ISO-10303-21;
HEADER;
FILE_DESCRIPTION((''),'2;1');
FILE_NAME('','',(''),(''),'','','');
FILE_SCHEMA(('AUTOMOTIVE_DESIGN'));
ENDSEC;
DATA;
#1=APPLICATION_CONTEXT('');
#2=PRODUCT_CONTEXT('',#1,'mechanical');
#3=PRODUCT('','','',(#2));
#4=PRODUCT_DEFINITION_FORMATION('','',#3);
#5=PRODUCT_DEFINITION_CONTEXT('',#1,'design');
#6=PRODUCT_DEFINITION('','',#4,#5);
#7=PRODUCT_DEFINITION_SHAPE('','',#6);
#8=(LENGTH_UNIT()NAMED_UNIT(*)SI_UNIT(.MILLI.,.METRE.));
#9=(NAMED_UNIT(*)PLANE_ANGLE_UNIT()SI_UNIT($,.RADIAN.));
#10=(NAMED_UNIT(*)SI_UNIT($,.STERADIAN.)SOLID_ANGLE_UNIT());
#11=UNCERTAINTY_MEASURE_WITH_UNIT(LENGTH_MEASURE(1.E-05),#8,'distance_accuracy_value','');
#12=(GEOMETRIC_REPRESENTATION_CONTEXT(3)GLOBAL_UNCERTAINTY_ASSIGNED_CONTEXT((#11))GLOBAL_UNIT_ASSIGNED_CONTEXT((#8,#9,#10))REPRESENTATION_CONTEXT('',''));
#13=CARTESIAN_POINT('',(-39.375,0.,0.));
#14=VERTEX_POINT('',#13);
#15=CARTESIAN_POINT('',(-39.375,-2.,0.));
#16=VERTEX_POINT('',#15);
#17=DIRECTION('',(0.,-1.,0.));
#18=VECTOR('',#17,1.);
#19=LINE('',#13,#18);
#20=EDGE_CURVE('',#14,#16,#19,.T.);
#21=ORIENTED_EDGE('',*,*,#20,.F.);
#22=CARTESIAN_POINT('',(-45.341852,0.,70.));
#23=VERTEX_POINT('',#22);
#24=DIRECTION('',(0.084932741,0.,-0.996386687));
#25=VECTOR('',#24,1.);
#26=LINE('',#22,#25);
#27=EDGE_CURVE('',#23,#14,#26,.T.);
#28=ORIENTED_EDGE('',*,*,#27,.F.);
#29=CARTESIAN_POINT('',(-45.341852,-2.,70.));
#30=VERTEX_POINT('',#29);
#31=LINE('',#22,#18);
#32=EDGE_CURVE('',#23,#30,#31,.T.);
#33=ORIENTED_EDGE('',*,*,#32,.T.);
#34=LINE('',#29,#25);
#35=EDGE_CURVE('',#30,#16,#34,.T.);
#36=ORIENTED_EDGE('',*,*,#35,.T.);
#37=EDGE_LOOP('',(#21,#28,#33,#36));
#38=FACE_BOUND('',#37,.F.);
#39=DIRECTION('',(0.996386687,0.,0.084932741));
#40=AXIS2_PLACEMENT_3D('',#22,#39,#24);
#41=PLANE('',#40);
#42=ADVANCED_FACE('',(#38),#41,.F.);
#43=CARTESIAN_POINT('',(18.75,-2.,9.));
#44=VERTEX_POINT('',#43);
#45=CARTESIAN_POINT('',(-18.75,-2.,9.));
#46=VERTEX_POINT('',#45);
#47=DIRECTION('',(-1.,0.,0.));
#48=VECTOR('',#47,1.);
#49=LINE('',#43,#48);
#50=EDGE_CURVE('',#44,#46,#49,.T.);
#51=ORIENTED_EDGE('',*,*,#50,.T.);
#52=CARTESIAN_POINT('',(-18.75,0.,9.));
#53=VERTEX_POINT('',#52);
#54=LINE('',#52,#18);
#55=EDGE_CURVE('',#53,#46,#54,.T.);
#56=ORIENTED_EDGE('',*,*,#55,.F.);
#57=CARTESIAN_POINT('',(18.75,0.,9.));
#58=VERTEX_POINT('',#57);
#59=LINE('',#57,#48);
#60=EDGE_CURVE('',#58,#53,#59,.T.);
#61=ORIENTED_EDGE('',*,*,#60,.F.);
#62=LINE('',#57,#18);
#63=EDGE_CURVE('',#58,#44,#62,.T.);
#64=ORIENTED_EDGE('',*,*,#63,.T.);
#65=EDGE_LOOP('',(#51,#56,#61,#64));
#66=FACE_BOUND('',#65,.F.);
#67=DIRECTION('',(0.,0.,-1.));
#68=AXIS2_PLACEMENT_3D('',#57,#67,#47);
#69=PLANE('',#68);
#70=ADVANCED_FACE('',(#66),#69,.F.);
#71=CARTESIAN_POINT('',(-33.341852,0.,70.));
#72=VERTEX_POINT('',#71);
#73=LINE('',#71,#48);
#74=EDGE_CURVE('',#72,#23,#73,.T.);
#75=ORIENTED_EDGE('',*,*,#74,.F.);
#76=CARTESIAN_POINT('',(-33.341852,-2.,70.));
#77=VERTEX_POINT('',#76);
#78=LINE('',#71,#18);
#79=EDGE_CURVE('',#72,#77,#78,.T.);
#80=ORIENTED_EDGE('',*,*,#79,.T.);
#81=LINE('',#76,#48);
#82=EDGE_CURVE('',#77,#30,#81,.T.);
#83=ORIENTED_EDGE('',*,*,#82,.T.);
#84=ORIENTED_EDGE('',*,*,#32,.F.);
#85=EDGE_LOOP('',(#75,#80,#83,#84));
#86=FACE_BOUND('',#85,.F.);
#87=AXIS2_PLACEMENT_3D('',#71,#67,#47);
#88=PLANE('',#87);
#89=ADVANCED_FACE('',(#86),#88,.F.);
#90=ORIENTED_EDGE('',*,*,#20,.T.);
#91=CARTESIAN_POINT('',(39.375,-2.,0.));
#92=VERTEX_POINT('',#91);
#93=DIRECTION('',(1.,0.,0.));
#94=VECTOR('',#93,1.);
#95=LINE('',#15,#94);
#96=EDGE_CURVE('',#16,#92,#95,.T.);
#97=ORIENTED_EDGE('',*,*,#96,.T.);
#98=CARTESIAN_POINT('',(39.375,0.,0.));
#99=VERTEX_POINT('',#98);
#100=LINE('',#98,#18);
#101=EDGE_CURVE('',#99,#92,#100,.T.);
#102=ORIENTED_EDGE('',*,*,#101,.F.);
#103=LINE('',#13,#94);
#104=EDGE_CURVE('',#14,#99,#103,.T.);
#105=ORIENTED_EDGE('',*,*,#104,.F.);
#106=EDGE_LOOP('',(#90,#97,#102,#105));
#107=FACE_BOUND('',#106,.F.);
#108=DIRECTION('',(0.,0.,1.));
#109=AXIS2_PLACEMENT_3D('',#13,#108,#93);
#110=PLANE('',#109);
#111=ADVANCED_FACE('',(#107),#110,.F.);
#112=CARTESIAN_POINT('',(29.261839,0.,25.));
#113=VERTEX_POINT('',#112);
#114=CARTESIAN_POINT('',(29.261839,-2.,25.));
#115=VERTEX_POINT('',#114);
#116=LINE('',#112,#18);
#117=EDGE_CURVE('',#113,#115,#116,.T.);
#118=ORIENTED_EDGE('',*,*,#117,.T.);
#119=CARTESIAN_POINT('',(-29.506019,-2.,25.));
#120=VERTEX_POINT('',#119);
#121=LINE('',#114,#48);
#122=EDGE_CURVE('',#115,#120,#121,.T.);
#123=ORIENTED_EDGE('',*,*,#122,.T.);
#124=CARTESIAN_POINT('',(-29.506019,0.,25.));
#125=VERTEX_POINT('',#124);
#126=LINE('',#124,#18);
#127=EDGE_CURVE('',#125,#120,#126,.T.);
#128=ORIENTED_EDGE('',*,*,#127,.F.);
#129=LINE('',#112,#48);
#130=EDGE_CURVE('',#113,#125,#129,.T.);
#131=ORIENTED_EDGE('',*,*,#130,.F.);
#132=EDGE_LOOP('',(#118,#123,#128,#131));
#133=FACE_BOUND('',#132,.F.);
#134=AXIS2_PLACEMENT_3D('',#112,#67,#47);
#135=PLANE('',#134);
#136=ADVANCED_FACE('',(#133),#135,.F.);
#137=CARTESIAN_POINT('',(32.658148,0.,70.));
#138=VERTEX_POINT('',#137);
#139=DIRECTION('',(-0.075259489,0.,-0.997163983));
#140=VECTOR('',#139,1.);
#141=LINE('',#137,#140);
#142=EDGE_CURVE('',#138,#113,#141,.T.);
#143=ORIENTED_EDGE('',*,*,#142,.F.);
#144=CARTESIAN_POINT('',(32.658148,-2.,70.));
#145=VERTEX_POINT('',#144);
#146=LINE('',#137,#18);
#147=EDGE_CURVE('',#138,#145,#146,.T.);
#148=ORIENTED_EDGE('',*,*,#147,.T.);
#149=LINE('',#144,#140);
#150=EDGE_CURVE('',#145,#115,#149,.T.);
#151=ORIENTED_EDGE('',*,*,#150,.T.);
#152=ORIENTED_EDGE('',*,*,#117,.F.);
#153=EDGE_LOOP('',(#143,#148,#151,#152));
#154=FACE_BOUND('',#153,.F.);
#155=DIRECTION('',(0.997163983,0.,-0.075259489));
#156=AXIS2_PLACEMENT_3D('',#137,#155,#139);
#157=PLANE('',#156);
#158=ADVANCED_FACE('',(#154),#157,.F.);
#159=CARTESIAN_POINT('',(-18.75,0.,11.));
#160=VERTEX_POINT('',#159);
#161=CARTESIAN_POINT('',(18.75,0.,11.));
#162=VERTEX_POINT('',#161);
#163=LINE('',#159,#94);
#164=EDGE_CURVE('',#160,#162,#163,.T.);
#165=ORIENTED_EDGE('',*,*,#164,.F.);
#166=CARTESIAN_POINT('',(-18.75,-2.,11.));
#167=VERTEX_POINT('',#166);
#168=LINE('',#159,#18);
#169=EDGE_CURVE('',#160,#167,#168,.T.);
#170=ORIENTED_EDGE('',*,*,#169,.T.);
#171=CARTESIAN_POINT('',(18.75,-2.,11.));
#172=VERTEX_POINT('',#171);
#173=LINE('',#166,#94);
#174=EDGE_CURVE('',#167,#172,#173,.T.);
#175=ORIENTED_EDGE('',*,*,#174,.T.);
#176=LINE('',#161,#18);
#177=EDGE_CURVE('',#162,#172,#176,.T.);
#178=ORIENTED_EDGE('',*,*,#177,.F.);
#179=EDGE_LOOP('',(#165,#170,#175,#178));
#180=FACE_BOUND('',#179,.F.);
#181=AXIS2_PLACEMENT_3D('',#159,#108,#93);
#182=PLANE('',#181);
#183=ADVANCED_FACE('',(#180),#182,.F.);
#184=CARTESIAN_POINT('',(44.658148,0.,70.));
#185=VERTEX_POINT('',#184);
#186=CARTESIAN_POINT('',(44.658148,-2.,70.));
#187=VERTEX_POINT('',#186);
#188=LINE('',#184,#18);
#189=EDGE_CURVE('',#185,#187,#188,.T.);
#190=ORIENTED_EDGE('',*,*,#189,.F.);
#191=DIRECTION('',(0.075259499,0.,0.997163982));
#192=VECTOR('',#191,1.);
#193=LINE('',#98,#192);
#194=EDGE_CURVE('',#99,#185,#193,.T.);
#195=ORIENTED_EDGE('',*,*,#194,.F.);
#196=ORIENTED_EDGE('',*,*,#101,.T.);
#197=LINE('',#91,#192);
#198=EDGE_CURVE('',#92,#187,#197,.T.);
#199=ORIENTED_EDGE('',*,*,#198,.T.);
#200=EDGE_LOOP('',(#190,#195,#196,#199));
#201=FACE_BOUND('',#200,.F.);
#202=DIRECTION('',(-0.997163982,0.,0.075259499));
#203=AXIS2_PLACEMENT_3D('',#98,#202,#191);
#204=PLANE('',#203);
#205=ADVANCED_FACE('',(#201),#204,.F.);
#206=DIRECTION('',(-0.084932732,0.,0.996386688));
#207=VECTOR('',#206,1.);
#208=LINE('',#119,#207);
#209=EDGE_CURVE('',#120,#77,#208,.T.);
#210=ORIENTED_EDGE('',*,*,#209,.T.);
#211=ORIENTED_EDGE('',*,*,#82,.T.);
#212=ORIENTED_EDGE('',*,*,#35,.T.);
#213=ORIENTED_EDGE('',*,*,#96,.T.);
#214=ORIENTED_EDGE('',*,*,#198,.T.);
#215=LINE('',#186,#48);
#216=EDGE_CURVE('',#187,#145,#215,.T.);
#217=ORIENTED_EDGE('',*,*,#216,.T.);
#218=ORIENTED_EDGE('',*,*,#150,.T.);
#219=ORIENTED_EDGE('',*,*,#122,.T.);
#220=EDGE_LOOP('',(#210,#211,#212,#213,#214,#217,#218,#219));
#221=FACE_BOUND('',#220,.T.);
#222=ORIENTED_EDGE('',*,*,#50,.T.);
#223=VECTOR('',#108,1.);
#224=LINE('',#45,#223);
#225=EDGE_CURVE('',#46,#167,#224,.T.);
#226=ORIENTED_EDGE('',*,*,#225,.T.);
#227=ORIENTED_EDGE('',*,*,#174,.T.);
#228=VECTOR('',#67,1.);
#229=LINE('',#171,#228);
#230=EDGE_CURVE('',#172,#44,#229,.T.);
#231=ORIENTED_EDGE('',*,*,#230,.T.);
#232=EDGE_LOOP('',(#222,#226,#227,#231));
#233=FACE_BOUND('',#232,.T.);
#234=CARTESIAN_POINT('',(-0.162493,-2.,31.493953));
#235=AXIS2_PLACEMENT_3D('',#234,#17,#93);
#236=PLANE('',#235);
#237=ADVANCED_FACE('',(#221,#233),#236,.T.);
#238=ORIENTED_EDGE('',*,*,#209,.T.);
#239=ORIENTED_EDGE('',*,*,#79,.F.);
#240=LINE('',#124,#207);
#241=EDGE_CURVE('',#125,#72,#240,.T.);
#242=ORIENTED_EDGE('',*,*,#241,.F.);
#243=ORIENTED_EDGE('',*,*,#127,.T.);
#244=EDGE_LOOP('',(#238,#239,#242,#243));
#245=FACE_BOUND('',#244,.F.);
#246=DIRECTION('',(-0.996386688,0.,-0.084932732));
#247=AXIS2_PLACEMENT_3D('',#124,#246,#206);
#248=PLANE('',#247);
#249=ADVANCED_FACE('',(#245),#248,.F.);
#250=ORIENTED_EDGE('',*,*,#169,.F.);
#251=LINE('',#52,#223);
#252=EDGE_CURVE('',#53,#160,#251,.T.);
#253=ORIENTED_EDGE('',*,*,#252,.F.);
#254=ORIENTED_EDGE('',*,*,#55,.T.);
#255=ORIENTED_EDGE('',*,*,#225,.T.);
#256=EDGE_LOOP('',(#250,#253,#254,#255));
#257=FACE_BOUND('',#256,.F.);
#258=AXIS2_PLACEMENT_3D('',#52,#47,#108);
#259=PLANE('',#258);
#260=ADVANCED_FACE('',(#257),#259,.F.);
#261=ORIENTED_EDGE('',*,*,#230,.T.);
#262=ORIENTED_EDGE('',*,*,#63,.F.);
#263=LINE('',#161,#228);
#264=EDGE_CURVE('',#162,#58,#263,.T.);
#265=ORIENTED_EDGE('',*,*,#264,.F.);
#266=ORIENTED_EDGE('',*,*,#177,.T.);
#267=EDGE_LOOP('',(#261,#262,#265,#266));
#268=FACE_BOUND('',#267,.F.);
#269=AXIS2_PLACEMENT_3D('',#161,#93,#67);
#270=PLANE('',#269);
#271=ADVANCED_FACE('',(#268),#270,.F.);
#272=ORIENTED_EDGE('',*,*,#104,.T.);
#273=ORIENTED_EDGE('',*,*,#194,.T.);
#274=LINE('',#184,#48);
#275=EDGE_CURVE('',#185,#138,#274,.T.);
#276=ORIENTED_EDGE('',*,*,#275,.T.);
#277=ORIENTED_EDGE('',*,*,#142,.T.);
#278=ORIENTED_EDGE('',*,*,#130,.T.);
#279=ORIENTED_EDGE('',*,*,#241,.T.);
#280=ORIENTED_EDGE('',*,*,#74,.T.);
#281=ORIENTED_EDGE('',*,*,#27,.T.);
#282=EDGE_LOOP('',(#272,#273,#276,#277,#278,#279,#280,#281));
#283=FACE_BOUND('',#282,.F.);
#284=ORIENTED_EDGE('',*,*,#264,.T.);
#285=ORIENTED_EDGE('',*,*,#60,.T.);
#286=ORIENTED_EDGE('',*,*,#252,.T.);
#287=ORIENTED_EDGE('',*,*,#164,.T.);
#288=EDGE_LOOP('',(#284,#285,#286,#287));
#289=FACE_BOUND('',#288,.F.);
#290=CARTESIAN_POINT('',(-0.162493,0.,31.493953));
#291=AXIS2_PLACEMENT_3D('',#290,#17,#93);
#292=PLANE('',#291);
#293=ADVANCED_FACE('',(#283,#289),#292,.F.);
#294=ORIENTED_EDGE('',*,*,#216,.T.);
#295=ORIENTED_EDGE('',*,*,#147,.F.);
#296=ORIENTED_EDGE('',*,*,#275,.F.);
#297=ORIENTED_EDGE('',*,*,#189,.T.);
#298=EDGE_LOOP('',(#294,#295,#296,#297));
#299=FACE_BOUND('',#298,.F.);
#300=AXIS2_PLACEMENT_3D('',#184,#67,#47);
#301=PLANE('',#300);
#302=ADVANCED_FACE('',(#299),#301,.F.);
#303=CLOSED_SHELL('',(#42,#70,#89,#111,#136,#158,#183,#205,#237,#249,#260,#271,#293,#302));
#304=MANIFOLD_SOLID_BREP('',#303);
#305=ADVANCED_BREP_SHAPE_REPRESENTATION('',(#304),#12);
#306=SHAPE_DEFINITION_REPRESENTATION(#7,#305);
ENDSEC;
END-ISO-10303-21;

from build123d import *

# Parameters (mm, degrees)
F1_DEPTH = 2


with BuildPart() as f1:
    # F0 (on Front) → F1 (new body)
    with BuildSketch(Plane.XZ):
        Polygon((-39.375, 0), (0, 0), (39.375, 0), (44.658148, 70), (32.658148, 70), (29.261839, 25), (-29.506019, 25), (-33.341852, 70), (-45.341852, 70), align=None)
        Polygon((18.75, 9), (0, 9), (-18.75, 9), (-18.75, 11), (18.75, 11), align=None, mode=Mode.SUBTRACT)
    extrude(amount=F1_DEPTH)


solid = f1.part
